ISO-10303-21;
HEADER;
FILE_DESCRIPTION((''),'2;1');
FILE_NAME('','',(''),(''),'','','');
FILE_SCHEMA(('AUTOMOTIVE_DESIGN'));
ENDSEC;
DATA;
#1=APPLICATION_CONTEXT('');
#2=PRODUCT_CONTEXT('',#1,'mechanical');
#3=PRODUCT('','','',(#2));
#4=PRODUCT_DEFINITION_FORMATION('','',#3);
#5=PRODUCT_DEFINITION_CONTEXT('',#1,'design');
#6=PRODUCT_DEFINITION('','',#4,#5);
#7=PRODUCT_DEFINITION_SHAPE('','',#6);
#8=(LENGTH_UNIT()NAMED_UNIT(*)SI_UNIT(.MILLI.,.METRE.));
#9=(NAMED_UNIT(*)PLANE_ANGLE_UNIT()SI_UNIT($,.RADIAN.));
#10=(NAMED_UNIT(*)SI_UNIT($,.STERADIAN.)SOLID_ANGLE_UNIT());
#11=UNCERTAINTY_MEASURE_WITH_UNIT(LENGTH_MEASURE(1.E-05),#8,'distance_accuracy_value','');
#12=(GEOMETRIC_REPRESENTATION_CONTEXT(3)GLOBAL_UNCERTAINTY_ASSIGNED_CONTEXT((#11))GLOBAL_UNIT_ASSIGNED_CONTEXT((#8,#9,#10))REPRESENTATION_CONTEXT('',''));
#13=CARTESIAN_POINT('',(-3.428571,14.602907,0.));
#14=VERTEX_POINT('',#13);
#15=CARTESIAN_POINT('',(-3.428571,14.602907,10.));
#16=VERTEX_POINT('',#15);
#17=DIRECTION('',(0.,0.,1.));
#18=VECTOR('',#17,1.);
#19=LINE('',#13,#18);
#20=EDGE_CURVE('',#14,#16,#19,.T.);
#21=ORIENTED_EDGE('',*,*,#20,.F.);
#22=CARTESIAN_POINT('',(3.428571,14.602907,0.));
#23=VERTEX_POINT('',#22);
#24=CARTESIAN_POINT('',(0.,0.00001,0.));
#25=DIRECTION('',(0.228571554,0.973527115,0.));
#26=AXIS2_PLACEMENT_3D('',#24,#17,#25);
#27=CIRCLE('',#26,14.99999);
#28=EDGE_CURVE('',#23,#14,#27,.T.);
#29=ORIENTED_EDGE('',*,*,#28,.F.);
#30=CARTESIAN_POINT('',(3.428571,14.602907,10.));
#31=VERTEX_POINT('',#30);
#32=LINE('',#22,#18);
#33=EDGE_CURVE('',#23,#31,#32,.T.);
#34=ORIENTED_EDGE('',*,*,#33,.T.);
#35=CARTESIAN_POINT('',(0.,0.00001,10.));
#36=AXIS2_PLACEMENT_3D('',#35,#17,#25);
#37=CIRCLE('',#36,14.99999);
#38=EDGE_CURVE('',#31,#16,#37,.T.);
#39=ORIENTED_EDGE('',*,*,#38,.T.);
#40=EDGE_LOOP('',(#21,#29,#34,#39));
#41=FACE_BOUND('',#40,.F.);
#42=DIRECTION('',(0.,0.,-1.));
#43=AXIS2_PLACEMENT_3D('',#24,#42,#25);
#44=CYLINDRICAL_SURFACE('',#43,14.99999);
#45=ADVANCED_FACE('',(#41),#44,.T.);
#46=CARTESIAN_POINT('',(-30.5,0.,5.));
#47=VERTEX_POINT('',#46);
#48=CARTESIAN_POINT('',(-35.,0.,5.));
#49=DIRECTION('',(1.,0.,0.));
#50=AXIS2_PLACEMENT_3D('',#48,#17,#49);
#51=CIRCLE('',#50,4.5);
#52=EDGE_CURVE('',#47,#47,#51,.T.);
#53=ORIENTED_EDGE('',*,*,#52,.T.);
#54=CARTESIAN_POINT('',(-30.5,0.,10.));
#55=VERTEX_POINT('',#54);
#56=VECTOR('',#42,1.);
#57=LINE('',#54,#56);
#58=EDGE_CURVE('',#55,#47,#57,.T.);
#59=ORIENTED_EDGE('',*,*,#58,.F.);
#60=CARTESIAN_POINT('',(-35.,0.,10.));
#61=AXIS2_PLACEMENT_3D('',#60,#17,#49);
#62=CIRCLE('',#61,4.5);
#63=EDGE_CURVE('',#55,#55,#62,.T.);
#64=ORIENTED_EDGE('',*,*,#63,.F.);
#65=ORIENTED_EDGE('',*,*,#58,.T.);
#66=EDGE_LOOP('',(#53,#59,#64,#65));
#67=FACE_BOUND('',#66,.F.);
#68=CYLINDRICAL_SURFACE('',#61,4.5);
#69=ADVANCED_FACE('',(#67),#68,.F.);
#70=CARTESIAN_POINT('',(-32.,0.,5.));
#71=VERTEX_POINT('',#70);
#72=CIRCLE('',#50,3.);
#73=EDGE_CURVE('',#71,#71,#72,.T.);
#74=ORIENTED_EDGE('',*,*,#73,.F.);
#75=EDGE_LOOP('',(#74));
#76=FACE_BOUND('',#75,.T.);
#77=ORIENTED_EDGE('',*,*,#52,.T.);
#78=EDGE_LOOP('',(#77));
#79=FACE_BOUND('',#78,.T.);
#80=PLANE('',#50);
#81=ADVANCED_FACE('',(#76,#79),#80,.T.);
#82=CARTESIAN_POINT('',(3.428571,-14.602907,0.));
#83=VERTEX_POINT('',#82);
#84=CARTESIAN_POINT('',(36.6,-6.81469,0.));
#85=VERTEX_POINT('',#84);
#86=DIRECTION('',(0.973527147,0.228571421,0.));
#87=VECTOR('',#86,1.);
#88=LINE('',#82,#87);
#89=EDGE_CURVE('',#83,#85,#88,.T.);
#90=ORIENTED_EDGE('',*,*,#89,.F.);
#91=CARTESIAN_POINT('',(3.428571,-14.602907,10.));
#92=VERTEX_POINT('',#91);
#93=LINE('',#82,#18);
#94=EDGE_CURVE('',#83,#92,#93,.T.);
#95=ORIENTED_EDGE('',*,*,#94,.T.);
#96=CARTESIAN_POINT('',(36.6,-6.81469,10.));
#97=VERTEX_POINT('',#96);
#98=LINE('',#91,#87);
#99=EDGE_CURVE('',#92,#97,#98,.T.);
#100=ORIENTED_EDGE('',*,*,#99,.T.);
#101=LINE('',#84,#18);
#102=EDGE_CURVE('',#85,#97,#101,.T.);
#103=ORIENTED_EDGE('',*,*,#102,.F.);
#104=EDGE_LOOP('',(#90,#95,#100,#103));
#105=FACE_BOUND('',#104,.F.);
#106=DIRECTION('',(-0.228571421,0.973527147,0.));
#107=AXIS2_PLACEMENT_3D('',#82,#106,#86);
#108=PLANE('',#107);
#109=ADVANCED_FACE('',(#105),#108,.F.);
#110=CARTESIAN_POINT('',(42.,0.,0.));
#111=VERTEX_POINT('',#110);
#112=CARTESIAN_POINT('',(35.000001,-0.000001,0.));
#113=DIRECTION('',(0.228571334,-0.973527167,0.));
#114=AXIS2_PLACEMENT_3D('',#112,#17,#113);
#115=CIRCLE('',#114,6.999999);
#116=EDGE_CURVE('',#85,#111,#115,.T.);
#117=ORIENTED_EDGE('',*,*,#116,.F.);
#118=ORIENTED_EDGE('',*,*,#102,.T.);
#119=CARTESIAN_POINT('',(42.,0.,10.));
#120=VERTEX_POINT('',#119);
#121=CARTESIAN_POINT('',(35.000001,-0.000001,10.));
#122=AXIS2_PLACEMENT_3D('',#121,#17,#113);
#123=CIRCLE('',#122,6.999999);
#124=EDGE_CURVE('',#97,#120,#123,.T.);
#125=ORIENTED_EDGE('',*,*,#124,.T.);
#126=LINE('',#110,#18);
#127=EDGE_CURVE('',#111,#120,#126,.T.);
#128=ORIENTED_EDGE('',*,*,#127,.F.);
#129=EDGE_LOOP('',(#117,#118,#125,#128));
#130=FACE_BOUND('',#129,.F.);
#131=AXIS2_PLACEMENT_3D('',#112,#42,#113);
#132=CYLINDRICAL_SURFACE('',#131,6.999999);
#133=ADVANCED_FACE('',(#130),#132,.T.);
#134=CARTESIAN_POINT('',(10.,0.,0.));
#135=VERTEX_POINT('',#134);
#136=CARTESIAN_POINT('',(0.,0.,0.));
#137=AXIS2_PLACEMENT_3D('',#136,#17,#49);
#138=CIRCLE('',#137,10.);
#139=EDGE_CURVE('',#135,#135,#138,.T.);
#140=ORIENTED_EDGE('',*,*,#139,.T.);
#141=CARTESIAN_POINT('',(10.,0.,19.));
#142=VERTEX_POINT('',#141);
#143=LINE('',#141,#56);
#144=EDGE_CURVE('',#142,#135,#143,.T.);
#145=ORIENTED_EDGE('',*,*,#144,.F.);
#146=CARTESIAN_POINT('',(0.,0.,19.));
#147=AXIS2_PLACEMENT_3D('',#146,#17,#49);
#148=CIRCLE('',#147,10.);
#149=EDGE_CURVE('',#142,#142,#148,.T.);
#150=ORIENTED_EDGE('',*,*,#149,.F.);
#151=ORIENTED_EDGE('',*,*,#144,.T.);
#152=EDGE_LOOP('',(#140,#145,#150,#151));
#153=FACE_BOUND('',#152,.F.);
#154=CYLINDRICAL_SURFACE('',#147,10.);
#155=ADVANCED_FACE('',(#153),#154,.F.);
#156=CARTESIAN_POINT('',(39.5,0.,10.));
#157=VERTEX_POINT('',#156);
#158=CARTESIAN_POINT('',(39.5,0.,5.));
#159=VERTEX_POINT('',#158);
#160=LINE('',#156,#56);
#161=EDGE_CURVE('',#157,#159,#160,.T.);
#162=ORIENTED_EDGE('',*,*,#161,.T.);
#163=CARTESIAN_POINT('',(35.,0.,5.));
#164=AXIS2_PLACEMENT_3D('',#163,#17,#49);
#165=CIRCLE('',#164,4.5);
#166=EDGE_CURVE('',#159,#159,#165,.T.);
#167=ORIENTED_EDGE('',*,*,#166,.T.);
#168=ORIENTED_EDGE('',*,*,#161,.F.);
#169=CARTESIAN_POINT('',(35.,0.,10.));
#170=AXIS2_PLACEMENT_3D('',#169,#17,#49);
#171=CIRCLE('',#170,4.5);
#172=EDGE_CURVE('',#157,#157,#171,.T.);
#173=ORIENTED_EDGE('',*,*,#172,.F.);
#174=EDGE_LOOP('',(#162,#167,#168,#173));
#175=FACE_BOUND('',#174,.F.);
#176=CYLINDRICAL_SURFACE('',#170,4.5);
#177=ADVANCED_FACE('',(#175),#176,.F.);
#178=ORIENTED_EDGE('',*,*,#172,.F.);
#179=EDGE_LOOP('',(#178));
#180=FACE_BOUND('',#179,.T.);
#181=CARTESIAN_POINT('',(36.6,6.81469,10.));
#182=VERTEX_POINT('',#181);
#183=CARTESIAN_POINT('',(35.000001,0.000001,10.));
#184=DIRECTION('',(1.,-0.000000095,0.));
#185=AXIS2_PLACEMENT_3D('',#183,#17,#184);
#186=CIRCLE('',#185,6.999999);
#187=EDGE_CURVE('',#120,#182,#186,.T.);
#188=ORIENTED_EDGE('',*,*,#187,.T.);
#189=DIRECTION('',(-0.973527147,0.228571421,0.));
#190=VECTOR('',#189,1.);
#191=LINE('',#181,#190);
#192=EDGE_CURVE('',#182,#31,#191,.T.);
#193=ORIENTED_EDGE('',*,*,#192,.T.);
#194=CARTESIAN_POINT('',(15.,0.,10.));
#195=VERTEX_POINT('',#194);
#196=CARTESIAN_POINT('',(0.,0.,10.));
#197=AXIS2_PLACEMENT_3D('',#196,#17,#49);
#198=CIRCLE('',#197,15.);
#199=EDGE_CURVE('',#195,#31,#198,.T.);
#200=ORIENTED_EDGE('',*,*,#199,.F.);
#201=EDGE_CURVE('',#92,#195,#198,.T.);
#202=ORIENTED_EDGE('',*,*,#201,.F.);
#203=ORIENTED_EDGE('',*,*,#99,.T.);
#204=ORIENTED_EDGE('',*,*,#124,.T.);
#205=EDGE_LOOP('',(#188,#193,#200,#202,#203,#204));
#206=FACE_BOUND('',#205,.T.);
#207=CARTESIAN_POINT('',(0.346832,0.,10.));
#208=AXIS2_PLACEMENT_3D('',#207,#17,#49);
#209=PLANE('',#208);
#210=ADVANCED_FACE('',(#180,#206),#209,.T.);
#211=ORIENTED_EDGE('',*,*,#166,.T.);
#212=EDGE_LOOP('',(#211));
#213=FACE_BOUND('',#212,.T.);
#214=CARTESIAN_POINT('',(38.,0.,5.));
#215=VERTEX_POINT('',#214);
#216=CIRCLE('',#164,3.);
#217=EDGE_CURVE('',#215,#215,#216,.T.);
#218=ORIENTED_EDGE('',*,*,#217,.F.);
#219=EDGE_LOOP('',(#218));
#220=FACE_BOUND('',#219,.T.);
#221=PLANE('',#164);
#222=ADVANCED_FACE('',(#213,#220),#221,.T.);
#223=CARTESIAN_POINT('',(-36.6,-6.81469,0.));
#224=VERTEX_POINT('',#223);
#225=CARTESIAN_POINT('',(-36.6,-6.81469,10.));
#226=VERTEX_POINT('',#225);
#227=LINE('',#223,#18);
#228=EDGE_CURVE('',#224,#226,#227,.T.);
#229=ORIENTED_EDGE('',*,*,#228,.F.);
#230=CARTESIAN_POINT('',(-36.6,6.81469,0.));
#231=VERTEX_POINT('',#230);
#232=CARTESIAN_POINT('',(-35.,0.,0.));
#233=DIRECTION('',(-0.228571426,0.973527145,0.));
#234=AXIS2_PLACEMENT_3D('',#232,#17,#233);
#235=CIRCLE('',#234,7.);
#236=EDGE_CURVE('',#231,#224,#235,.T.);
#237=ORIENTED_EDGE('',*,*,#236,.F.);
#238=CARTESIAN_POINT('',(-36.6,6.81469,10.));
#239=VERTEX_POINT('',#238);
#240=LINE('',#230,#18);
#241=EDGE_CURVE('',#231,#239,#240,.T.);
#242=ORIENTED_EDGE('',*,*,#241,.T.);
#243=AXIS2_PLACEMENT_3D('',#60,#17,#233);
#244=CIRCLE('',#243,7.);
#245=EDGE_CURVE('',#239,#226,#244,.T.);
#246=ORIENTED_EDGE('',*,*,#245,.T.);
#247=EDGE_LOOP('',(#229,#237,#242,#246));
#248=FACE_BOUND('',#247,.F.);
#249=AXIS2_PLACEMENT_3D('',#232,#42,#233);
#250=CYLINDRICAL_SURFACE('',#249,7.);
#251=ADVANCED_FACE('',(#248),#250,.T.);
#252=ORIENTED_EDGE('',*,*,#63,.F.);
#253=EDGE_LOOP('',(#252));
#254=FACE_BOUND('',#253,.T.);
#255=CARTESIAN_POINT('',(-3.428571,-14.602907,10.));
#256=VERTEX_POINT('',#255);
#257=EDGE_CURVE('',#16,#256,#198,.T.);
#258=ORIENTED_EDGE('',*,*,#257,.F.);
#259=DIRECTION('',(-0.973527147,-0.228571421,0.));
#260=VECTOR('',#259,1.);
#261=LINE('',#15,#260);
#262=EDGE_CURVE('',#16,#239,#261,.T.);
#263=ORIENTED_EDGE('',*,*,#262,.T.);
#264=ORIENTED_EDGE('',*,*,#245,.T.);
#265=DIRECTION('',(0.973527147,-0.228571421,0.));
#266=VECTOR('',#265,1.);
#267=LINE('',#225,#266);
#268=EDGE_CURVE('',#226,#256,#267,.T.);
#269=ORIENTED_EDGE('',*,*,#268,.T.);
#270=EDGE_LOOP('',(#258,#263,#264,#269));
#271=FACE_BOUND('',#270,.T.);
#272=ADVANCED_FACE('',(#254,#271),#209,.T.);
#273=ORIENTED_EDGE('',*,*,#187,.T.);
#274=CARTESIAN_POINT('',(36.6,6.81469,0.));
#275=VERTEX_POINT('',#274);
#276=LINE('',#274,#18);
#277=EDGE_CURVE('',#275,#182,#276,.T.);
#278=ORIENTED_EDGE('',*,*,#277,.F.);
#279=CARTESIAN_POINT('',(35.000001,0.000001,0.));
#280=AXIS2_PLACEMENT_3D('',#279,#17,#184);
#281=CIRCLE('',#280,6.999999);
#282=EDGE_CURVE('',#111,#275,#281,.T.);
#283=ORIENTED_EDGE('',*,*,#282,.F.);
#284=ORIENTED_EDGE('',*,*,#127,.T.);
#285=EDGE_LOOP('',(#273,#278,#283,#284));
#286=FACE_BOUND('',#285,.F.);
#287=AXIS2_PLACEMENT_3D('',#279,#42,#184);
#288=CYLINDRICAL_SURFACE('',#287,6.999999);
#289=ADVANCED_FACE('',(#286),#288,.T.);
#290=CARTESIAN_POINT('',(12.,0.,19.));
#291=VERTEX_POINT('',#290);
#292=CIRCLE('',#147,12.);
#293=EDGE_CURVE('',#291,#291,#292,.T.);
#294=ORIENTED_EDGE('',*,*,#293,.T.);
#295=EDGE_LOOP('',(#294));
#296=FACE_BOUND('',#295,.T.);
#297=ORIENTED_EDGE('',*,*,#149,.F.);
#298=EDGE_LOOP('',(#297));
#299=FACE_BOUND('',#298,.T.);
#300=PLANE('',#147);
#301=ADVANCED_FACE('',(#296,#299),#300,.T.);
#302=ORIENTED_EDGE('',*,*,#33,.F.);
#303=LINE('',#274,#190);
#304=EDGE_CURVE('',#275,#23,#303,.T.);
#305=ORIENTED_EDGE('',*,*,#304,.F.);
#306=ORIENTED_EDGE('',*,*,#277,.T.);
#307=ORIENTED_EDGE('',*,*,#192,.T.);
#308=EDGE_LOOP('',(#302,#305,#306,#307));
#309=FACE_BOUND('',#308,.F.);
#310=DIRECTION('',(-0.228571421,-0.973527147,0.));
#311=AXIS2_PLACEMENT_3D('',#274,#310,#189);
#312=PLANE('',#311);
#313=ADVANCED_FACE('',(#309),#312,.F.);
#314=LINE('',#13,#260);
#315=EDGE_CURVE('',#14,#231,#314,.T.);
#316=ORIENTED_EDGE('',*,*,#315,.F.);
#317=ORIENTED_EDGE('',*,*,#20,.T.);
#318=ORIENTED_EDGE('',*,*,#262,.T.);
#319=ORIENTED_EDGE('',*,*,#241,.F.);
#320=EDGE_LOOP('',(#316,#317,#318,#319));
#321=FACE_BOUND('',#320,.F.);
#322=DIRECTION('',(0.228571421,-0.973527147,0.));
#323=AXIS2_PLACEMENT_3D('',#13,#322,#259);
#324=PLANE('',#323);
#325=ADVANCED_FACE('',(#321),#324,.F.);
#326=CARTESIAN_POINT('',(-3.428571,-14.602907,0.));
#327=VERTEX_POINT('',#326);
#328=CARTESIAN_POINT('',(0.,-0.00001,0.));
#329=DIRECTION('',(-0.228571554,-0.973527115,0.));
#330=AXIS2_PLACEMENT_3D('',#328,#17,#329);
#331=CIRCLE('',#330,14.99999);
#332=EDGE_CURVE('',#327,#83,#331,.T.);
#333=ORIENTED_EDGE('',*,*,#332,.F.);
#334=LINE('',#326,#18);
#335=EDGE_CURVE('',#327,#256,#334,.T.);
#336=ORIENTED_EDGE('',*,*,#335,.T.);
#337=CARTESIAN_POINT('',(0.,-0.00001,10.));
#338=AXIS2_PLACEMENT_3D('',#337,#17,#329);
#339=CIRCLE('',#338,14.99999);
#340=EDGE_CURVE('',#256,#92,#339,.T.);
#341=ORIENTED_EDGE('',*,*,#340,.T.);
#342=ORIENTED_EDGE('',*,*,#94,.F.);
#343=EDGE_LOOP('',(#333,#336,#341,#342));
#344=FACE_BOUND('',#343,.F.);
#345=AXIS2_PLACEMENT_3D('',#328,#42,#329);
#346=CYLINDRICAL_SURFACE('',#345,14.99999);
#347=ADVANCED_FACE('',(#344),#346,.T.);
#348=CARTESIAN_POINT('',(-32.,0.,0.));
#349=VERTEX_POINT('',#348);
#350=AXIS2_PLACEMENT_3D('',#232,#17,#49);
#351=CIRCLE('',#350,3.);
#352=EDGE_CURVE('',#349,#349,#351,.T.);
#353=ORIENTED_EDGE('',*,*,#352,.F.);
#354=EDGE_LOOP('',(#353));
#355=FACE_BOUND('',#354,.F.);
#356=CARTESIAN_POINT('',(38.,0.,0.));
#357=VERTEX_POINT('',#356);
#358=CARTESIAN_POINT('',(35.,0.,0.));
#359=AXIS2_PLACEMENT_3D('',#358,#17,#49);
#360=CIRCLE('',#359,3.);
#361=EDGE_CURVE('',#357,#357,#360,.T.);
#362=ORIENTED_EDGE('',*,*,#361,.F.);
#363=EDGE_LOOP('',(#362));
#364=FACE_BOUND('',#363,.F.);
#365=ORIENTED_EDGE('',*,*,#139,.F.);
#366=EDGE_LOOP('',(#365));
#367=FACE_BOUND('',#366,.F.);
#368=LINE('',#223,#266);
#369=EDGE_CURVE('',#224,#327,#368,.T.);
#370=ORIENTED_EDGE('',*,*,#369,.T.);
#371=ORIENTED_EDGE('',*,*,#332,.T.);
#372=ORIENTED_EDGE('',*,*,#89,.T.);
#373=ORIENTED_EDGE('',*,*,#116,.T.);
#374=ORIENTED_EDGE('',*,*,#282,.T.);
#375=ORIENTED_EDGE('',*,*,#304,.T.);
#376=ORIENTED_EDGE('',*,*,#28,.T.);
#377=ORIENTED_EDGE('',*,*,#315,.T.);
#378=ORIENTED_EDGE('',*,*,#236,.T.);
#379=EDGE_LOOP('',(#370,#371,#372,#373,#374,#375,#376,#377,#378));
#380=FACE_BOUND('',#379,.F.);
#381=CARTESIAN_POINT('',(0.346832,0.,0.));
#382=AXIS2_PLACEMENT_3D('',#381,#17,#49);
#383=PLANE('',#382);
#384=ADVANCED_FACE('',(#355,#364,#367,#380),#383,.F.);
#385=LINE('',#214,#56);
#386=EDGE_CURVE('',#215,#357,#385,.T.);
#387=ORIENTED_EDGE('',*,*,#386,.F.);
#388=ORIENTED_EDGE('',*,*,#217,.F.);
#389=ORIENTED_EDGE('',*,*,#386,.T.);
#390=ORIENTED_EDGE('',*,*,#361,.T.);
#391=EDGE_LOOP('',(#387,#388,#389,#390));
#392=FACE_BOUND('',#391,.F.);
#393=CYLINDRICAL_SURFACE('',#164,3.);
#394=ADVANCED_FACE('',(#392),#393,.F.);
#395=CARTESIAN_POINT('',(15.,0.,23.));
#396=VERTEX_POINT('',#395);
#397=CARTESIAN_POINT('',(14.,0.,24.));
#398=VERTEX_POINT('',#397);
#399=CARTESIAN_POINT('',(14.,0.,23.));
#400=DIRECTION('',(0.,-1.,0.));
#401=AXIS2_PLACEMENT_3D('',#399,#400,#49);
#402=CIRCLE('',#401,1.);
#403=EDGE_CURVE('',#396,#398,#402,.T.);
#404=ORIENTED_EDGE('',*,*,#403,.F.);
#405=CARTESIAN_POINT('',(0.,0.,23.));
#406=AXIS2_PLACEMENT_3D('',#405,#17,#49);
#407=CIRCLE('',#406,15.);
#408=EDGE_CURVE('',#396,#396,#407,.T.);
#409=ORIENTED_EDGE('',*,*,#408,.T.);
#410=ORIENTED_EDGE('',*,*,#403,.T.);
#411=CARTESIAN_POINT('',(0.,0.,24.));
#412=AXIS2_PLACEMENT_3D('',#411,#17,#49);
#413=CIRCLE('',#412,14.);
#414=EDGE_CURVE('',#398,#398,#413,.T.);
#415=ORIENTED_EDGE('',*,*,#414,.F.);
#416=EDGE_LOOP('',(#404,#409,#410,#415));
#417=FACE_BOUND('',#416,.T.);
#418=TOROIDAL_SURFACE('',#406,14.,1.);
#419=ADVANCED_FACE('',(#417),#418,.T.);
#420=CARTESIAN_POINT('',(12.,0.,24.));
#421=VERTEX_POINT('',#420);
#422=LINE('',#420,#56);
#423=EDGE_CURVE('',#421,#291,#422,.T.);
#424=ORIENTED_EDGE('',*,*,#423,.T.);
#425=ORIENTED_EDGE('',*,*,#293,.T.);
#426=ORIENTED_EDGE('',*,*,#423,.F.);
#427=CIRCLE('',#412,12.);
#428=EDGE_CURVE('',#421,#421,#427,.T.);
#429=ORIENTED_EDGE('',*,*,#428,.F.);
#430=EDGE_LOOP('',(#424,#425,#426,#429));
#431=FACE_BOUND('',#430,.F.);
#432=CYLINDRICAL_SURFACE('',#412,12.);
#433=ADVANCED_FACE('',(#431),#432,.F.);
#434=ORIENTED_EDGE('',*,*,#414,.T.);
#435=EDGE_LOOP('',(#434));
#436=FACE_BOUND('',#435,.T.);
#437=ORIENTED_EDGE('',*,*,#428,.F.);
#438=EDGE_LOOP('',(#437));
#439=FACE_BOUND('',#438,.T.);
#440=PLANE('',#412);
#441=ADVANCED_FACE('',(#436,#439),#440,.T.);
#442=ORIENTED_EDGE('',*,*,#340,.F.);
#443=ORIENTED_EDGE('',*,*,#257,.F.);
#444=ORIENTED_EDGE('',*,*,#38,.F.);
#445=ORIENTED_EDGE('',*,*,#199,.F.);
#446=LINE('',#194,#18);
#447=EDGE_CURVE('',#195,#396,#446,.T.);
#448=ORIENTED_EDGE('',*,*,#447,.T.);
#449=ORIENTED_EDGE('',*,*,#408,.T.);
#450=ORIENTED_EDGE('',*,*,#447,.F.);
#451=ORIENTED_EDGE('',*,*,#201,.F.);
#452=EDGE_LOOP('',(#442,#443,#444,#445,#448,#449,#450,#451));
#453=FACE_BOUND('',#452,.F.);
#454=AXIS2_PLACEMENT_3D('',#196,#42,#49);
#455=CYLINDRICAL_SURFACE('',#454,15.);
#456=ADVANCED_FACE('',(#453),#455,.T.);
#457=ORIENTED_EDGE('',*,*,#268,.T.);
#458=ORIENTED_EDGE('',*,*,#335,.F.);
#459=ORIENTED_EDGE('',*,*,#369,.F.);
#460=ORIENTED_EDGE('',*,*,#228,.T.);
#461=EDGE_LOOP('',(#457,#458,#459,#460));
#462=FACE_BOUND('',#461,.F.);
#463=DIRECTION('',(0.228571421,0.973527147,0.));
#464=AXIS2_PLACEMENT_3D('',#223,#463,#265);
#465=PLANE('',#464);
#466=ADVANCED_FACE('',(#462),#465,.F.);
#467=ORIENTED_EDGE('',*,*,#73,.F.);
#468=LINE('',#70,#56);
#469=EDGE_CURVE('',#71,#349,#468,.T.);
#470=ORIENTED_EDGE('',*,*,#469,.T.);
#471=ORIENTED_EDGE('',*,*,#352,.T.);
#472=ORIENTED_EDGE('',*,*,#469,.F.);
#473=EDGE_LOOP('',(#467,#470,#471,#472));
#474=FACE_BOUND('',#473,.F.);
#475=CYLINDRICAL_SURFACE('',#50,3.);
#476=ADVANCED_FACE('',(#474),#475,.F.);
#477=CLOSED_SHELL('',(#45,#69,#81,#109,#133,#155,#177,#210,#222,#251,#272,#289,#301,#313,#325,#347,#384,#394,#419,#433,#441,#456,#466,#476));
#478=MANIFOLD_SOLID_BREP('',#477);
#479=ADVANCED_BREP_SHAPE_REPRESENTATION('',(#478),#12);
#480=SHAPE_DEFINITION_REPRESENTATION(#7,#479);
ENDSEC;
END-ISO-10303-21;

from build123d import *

# Parameters (mm, degrees)
F1_DEPTH  = 10
F2_R      = 15
F3_DEPTH  = 14
F4_R      = 4.5
F5_DEPTH  = 5
F7_R      = 3
F8_DEPTH  = 27.2
F10_R     = 12
F11_DEPTH = 5
F13_R     = 10
F14_DEPTH = 25
F16_R     = 1


with BuildPart() as f1:
    # F0 (on Top) → F1 (new body)
    with BuildSketch(Plane.XY):
        with BuildLine():
            ThreePointArc((3.428571, -14.602907), (11.756457, -9.315885), (15, 0))
            ThreePointArc((15, 0), (11.756457, 9.315885), (3.428571, 14.602907))
            ThreePointArc((3.428571, 14.602907), (0, 15), (-3.428571, 14.602907))
            ThreePointArc((-3.428571, 14.602907), (-15, 0), (-3.428571, -14.602907))
            ThreePointArc((-3.428571, -14.602907), (0, -15), (3.428571, -14.602907))
        make_face()
        with BuildLine():
            ThreePointArc((3.428571, 14.602907), (11.756457, 9.315885), (15, 0))
            ThreePointArc((15, 0), (11.756457, -9.315885), (3.428571, -14.602907))
            Line((3.428571, -14.602907), (36.6, -6.81469))
            ThreePointArc((36.6, -6.81469), (28, 0), (36.6, 6.81469))
            Line((36.6, 6.81469), (3.428571, 14.602907))
        make_face()
        with BuildLine():
            ThreePointArc((-3.428571, -14.602907), (-15, 0), (-3.428571, 14.602907))
            Line((-3.428571, 14.602907), (-36.6, 6.81469))
            ThreePointArc((-36.6, 6.81469), (-30.652587, 5.486347), (-28, 0))
            ThreePointArc((-28, 0), (-30.652587, -5.486347), (-36.6, -6.81469))
            Line((-36.6, -6.81469), (-3.428571, -14.602907))
        make_face()
        with BuildLine():
            ThreePointArc((42, 0), (40.486347, 4.347413), (36.6, 6.81469))
            ThreePointArc((36.6, 6.81469), (28, 0), (36.6, -6.81469))
            ThreePointArc((36.6, -6.81469), (40.486347, -4.347413), (42, 0))
        make_face()
        with BuildLine():
            ThreePointArc((-28, 0), (-30.652587, 5.486347), (-36.6, 6.81469))
            ThreePointArc((-36.6, 6.81469), (-42, 0), (-36.6, -6.81469))
            ThreePointArc((-36.6, -6.81469), (-30.652587, -5.486347), (-28, 0))
        make_face()
    extrude(amount=F1_DEPTH)

    # F2 (on face) → F3 (join)
    with BuildSketch(Plane.XY.offset(10)):
        Circle(F2_R)
    extrude(amount=F3_DEPTH)


with BuildPart() as f5:
    # F4 (on face) → F5 (new body)
    with BuildSketch(Plane.XY.offset(10)):
        with Locations((-35, 0)):
            Circle(F4_R)
        with Locations((35, 0)):
            Circle(F4_R)
    extrude(amount=-F5_DEPTH)


with BuildPart() as f1_1:
    add(f1.part)

    # F6: cut F5
    add(f5.part, mode=Mode.SUBTRACT)


with BuildPart() as f8:
    # F7 (on face) → F8 (new body)
    with BuildSketch(Plane.XY.offset(5)):
        with Locations((-35, 0)):
            Circle(F7_R)
        with Locations((35, 0)):
            Circle(F7_R)
    extrude(amount=-F8_DEPTH)


with BuildPart() as f1_2:
    add(f1_1.part)

    # F9: cut F8
    add(f8.part, mode=Mode.SUBTRACT)


with BuildPart() as f11:
    # F10 (on face) → F11 (new body)
    with BuildSketch(Plane.XY.offset(24)):
        Circle(F10_R)
    extrude(amount=-F11_DEPTH)


with BuildPart() as f1_3:
    add(f1_2.part)

    # F12: cut F11
    add(f11.part, mode=Mode.SUBTRACT)


with BuildPart() as f14:
    # F13 (on face) → F14 (new body)
    with BuildSketch(Plane.XY.offset(19)):
        Circle(F13_R)
    extrude(amount=-F14_DEPTH)


with BuildPart() as f1_4:
    add(f1_3.part)

    # F15: cut F14
    add(f14.part, mode=Mode.SUBTRACT)

    # F16
    f16_edges = [f1_4.edges().sort_by_distance(p)[0] for p in [
        (-15, 0, 24),
    ]]
    fillet(f16_edges, radius=F16_R)


solid = f1_4.part
